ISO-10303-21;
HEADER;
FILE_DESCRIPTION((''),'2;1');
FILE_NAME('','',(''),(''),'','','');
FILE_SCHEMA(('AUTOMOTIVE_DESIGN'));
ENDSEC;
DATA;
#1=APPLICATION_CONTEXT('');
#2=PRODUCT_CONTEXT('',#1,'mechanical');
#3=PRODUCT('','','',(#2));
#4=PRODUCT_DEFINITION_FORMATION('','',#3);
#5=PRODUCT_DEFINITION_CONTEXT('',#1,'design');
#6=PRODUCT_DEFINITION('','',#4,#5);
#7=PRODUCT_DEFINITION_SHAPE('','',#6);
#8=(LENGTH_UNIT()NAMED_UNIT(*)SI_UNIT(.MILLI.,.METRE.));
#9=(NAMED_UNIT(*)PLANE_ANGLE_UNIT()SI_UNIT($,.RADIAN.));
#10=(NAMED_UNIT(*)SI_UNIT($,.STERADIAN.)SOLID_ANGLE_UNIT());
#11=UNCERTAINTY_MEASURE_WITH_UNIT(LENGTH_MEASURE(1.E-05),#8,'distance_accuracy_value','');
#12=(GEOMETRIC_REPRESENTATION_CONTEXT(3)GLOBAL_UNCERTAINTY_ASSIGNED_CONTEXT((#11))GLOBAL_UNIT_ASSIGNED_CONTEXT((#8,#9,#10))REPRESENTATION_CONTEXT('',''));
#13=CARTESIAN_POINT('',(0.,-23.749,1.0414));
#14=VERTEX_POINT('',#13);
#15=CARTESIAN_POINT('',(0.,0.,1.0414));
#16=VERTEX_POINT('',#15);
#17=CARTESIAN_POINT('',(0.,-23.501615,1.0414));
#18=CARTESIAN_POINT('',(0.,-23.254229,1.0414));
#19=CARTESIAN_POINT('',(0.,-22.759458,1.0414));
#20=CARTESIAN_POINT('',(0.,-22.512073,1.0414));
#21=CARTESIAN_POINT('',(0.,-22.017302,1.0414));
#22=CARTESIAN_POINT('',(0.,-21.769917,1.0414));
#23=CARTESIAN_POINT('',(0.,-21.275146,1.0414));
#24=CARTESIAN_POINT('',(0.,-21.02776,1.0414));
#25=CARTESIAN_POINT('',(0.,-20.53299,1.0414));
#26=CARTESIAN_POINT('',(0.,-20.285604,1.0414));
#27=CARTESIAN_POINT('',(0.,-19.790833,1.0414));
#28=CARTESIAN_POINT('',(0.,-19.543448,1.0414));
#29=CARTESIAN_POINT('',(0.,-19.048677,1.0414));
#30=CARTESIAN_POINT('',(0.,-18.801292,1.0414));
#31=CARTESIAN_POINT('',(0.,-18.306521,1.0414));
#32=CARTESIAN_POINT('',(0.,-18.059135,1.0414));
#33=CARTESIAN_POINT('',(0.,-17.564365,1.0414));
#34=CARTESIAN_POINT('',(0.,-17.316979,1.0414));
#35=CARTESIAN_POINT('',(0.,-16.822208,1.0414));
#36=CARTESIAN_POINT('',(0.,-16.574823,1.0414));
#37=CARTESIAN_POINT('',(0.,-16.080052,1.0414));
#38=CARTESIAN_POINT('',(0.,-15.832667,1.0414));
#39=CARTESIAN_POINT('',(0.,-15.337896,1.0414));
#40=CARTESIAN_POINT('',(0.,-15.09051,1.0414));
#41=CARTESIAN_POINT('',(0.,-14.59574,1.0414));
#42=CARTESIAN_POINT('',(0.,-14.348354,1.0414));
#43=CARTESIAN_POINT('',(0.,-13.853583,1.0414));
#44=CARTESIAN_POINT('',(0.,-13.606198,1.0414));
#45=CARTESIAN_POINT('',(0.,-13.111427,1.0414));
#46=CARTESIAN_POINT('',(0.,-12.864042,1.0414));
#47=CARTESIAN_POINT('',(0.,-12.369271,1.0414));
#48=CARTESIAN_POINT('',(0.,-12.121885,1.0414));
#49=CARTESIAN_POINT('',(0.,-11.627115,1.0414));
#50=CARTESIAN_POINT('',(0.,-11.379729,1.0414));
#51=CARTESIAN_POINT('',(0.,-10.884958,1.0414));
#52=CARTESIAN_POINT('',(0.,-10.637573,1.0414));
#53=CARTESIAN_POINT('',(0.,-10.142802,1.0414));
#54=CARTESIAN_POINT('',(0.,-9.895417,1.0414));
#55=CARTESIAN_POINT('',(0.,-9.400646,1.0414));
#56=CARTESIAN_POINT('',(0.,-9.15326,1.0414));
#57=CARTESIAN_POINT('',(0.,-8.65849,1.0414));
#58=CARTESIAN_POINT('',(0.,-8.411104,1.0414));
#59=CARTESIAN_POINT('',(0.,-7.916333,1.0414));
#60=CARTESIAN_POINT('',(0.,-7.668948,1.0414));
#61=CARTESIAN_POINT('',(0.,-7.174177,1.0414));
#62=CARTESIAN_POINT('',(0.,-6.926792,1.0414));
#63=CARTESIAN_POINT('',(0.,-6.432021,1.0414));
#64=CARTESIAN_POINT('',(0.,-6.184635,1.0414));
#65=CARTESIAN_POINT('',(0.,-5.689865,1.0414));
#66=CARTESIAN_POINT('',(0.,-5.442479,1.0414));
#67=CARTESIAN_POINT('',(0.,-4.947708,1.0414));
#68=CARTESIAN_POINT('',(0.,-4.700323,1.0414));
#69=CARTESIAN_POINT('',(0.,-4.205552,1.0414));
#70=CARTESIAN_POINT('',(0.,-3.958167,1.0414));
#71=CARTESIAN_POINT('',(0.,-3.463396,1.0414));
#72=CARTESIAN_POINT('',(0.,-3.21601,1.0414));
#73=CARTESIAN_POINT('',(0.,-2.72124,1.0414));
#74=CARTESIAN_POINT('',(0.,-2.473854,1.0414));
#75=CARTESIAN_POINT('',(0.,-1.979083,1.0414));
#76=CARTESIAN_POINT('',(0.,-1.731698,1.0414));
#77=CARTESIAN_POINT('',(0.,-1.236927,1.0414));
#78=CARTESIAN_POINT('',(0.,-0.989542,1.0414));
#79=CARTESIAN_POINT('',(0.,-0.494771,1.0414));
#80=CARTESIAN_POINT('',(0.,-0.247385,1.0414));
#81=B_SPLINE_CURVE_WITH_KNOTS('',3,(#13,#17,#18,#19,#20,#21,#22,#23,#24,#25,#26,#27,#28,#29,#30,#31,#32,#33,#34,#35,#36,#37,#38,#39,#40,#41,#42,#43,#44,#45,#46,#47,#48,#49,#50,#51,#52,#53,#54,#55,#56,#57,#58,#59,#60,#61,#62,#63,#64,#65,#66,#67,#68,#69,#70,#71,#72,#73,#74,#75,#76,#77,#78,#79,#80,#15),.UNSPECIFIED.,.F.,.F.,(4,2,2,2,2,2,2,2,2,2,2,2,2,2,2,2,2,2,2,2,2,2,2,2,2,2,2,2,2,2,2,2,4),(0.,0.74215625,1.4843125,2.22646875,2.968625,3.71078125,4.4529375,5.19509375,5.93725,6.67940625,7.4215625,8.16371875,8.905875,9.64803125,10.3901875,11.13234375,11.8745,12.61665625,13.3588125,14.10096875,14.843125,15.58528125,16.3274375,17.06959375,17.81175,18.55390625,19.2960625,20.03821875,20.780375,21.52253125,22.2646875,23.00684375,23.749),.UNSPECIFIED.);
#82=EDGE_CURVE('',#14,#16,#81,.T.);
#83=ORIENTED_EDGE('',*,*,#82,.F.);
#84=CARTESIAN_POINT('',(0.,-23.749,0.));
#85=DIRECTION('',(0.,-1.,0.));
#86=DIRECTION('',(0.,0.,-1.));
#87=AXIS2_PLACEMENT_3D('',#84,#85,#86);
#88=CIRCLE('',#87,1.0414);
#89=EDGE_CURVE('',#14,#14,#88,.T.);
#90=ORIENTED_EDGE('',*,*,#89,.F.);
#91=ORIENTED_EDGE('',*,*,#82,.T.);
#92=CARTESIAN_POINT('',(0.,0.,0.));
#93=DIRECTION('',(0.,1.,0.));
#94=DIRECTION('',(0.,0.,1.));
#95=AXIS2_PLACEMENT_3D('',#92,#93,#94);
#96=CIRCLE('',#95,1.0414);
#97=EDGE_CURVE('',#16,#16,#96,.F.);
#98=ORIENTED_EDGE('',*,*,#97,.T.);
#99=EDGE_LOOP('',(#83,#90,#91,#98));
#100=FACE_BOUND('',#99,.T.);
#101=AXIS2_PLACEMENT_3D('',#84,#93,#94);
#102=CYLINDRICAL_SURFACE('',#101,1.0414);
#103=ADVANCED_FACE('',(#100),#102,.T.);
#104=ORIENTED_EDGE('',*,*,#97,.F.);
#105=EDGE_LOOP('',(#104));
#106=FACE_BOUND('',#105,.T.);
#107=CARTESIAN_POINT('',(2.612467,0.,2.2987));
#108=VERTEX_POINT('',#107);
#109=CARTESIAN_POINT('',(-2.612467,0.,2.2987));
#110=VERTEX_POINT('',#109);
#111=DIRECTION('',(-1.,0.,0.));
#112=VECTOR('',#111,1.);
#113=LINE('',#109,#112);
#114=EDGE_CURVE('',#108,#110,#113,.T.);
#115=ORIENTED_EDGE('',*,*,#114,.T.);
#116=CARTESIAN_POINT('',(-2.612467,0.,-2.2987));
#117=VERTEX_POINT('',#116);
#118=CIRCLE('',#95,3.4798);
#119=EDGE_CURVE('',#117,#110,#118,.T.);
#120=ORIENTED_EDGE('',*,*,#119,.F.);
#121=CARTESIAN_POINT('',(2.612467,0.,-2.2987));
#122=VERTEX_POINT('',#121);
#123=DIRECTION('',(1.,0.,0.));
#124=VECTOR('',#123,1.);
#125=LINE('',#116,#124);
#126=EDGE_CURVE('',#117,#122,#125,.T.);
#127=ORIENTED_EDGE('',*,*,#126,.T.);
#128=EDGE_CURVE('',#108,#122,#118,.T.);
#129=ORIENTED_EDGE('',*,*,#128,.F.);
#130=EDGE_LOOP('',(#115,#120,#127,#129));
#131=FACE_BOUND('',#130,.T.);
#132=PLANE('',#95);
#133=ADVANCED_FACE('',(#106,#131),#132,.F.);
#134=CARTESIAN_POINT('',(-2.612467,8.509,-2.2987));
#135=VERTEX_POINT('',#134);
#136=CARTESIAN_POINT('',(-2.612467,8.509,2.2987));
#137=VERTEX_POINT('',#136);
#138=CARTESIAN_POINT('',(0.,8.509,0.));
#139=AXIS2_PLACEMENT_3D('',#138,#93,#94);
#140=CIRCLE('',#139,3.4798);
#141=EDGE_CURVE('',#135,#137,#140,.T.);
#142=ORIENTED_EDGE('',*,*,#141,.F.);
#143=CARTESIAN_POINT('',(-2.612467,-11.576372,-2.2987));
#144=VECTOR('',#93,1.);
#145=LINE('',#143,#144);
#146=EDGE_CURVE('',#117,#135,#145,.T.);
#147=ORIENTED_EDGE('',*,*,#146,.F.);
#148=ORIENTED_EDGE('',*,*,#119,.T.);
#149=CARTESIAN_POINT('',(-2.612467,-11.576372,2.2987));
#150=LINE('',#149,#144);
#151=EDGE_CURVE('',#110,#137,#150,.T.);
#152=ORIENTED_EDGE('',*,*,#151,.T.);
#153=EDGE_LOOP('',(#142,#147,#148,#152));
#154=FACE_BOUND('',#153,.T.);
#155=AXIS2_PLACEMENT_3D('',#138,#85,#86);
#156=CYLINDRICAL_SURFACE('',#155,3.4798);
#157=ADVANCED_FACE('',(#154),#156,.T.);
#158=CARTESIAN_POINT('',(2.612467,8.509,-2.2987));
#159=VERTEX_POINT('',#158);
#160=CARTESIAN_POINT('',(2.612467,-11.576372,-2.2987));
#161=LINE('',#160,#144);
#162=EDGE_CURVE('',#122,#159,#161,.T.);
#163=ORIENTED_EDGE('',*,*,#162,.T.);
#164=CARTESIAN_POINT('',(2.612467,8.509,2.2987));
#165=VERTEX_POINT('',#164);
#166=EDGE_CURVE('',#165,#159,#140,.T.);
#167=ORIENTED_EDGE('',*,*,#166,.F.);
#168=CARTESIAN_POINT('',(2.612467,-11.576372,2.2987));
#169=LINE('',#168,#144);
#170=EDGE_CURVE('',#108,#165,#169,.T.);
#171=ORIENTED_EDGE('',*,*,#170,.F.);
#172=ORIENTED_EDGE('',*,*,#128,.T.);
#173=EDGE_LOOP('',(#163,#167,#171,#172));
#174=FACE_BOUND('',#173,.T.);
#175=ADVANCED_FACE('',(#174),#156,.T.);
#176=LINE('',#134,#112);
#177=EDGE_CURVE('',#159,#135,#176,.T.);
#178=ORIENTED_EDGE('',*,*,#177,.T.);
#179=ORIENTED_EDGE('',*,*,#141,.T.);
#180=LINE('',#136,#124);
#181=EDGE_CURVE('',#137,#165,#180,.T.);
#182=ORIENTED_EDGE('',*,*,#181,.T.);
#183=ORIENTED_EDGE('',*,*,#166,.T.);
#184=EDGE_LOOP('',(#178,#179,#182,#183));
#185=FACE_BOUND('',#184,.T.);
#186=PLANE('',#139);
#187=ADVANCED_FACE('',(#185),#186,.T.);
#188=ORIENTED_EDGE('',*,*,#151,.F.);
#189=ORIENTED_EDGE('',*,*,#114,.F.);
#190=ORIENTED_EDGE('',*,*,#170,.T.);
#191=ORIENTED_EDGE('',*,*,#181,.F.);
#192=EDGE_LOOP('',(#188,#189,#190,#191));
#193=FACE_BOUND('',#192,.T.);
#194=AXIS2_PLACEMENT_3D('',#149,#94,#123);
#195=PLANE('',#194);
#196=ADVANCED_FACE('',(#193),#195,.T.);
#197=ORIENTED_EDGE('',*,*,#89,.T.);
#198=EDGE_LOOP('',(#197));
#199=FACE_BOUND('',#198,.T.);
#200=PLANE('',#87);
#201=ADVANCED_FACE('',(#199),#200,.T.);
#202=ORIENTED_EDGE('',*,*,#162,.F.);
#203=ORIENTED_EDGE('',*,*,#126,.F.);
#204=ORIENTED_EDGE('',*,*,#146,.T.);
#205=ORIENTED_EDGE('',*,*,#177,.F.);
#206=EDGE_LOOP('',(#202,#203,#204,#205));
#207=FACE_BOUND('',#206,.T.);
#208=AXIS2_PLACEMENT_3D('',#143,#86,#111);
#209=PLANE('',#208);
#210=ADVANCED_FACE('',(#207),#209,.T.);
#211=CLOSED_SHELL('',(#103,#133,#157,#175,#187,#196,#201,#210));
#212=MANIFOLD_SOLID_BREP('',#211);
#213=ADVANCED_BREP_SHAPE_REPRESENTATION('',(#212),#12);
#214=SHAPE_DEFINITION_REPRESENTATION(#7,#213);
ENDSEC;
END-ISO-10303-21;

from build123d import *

# Parameters (mm, degrees)
SKETCH1_R           = 3.4798
BOSS_EXTRUDE1_DEPTH = 8.509
SKETCH2_R           = 1.0414
BOSS_EXTRUDE2_DEPTH = 23.749
SKETCH3_OUTSIDE_W   = 15.706
SKETCH3_OUTSIDE_H   = 15.706
CUT_EXTRUDE1_DEPTH  = 8.509


with BuildPart() as part:
    # Sketch1 → Boss-Extrude1 (new body)
    with BuildSketch(Plane(origin=(0, 0, 0), x_dir=(1, 0, 0), z_dir=(0, 1, 0))):
        with Locations(Location((0, 0, 0), (0, 0, 270))):
            Circle(SKETCH1_R)
    extrude(amount=BOSS_EXTRUDE1_DEPTH)

    # Sketch2 → Boss-Extrude2 (add)
    with BuildSketch(Plane.XZ):
        with Locations(Location((0, 0, 0), (0, 0, 90))):
            Circle(SKETCH2_R)
    extrude(amount=BOSS_EXTRUDE2_DEPTH)

    # Sketch3 outside → Cut-Extrude1 (cut)
    with BuildSketch(Plane(origin=(0, 8.509, 0), x_dir=(1, 0, 0), z_dir=(0, 1, 0))):
        Rectangle(SKETCH3_OUTSIDE_W, SKETCH3_OUTSIDE_H)
        with BuildLine():
            Line((-2.612467483, 2.2987), (2.612467483, 2.2987))
            ThreePointArc((2.612467483, 2.2987), (3.4798, 0), (2.612467483, -2.2987))
            Line((2.612467483, -2.2987), (-2.612467483, -2.2987))
            ThreePointArc((-2.612467483, -2.2987), (-3.4798, 0), (-2.612467483, 2.2987))
        make_face(mode=Mode.SUBTRACT)
    extrude(amount=-CUT_EXTRUDE1_DEPTH, mode=Mode.SUBTRACT)


solid = part.part
